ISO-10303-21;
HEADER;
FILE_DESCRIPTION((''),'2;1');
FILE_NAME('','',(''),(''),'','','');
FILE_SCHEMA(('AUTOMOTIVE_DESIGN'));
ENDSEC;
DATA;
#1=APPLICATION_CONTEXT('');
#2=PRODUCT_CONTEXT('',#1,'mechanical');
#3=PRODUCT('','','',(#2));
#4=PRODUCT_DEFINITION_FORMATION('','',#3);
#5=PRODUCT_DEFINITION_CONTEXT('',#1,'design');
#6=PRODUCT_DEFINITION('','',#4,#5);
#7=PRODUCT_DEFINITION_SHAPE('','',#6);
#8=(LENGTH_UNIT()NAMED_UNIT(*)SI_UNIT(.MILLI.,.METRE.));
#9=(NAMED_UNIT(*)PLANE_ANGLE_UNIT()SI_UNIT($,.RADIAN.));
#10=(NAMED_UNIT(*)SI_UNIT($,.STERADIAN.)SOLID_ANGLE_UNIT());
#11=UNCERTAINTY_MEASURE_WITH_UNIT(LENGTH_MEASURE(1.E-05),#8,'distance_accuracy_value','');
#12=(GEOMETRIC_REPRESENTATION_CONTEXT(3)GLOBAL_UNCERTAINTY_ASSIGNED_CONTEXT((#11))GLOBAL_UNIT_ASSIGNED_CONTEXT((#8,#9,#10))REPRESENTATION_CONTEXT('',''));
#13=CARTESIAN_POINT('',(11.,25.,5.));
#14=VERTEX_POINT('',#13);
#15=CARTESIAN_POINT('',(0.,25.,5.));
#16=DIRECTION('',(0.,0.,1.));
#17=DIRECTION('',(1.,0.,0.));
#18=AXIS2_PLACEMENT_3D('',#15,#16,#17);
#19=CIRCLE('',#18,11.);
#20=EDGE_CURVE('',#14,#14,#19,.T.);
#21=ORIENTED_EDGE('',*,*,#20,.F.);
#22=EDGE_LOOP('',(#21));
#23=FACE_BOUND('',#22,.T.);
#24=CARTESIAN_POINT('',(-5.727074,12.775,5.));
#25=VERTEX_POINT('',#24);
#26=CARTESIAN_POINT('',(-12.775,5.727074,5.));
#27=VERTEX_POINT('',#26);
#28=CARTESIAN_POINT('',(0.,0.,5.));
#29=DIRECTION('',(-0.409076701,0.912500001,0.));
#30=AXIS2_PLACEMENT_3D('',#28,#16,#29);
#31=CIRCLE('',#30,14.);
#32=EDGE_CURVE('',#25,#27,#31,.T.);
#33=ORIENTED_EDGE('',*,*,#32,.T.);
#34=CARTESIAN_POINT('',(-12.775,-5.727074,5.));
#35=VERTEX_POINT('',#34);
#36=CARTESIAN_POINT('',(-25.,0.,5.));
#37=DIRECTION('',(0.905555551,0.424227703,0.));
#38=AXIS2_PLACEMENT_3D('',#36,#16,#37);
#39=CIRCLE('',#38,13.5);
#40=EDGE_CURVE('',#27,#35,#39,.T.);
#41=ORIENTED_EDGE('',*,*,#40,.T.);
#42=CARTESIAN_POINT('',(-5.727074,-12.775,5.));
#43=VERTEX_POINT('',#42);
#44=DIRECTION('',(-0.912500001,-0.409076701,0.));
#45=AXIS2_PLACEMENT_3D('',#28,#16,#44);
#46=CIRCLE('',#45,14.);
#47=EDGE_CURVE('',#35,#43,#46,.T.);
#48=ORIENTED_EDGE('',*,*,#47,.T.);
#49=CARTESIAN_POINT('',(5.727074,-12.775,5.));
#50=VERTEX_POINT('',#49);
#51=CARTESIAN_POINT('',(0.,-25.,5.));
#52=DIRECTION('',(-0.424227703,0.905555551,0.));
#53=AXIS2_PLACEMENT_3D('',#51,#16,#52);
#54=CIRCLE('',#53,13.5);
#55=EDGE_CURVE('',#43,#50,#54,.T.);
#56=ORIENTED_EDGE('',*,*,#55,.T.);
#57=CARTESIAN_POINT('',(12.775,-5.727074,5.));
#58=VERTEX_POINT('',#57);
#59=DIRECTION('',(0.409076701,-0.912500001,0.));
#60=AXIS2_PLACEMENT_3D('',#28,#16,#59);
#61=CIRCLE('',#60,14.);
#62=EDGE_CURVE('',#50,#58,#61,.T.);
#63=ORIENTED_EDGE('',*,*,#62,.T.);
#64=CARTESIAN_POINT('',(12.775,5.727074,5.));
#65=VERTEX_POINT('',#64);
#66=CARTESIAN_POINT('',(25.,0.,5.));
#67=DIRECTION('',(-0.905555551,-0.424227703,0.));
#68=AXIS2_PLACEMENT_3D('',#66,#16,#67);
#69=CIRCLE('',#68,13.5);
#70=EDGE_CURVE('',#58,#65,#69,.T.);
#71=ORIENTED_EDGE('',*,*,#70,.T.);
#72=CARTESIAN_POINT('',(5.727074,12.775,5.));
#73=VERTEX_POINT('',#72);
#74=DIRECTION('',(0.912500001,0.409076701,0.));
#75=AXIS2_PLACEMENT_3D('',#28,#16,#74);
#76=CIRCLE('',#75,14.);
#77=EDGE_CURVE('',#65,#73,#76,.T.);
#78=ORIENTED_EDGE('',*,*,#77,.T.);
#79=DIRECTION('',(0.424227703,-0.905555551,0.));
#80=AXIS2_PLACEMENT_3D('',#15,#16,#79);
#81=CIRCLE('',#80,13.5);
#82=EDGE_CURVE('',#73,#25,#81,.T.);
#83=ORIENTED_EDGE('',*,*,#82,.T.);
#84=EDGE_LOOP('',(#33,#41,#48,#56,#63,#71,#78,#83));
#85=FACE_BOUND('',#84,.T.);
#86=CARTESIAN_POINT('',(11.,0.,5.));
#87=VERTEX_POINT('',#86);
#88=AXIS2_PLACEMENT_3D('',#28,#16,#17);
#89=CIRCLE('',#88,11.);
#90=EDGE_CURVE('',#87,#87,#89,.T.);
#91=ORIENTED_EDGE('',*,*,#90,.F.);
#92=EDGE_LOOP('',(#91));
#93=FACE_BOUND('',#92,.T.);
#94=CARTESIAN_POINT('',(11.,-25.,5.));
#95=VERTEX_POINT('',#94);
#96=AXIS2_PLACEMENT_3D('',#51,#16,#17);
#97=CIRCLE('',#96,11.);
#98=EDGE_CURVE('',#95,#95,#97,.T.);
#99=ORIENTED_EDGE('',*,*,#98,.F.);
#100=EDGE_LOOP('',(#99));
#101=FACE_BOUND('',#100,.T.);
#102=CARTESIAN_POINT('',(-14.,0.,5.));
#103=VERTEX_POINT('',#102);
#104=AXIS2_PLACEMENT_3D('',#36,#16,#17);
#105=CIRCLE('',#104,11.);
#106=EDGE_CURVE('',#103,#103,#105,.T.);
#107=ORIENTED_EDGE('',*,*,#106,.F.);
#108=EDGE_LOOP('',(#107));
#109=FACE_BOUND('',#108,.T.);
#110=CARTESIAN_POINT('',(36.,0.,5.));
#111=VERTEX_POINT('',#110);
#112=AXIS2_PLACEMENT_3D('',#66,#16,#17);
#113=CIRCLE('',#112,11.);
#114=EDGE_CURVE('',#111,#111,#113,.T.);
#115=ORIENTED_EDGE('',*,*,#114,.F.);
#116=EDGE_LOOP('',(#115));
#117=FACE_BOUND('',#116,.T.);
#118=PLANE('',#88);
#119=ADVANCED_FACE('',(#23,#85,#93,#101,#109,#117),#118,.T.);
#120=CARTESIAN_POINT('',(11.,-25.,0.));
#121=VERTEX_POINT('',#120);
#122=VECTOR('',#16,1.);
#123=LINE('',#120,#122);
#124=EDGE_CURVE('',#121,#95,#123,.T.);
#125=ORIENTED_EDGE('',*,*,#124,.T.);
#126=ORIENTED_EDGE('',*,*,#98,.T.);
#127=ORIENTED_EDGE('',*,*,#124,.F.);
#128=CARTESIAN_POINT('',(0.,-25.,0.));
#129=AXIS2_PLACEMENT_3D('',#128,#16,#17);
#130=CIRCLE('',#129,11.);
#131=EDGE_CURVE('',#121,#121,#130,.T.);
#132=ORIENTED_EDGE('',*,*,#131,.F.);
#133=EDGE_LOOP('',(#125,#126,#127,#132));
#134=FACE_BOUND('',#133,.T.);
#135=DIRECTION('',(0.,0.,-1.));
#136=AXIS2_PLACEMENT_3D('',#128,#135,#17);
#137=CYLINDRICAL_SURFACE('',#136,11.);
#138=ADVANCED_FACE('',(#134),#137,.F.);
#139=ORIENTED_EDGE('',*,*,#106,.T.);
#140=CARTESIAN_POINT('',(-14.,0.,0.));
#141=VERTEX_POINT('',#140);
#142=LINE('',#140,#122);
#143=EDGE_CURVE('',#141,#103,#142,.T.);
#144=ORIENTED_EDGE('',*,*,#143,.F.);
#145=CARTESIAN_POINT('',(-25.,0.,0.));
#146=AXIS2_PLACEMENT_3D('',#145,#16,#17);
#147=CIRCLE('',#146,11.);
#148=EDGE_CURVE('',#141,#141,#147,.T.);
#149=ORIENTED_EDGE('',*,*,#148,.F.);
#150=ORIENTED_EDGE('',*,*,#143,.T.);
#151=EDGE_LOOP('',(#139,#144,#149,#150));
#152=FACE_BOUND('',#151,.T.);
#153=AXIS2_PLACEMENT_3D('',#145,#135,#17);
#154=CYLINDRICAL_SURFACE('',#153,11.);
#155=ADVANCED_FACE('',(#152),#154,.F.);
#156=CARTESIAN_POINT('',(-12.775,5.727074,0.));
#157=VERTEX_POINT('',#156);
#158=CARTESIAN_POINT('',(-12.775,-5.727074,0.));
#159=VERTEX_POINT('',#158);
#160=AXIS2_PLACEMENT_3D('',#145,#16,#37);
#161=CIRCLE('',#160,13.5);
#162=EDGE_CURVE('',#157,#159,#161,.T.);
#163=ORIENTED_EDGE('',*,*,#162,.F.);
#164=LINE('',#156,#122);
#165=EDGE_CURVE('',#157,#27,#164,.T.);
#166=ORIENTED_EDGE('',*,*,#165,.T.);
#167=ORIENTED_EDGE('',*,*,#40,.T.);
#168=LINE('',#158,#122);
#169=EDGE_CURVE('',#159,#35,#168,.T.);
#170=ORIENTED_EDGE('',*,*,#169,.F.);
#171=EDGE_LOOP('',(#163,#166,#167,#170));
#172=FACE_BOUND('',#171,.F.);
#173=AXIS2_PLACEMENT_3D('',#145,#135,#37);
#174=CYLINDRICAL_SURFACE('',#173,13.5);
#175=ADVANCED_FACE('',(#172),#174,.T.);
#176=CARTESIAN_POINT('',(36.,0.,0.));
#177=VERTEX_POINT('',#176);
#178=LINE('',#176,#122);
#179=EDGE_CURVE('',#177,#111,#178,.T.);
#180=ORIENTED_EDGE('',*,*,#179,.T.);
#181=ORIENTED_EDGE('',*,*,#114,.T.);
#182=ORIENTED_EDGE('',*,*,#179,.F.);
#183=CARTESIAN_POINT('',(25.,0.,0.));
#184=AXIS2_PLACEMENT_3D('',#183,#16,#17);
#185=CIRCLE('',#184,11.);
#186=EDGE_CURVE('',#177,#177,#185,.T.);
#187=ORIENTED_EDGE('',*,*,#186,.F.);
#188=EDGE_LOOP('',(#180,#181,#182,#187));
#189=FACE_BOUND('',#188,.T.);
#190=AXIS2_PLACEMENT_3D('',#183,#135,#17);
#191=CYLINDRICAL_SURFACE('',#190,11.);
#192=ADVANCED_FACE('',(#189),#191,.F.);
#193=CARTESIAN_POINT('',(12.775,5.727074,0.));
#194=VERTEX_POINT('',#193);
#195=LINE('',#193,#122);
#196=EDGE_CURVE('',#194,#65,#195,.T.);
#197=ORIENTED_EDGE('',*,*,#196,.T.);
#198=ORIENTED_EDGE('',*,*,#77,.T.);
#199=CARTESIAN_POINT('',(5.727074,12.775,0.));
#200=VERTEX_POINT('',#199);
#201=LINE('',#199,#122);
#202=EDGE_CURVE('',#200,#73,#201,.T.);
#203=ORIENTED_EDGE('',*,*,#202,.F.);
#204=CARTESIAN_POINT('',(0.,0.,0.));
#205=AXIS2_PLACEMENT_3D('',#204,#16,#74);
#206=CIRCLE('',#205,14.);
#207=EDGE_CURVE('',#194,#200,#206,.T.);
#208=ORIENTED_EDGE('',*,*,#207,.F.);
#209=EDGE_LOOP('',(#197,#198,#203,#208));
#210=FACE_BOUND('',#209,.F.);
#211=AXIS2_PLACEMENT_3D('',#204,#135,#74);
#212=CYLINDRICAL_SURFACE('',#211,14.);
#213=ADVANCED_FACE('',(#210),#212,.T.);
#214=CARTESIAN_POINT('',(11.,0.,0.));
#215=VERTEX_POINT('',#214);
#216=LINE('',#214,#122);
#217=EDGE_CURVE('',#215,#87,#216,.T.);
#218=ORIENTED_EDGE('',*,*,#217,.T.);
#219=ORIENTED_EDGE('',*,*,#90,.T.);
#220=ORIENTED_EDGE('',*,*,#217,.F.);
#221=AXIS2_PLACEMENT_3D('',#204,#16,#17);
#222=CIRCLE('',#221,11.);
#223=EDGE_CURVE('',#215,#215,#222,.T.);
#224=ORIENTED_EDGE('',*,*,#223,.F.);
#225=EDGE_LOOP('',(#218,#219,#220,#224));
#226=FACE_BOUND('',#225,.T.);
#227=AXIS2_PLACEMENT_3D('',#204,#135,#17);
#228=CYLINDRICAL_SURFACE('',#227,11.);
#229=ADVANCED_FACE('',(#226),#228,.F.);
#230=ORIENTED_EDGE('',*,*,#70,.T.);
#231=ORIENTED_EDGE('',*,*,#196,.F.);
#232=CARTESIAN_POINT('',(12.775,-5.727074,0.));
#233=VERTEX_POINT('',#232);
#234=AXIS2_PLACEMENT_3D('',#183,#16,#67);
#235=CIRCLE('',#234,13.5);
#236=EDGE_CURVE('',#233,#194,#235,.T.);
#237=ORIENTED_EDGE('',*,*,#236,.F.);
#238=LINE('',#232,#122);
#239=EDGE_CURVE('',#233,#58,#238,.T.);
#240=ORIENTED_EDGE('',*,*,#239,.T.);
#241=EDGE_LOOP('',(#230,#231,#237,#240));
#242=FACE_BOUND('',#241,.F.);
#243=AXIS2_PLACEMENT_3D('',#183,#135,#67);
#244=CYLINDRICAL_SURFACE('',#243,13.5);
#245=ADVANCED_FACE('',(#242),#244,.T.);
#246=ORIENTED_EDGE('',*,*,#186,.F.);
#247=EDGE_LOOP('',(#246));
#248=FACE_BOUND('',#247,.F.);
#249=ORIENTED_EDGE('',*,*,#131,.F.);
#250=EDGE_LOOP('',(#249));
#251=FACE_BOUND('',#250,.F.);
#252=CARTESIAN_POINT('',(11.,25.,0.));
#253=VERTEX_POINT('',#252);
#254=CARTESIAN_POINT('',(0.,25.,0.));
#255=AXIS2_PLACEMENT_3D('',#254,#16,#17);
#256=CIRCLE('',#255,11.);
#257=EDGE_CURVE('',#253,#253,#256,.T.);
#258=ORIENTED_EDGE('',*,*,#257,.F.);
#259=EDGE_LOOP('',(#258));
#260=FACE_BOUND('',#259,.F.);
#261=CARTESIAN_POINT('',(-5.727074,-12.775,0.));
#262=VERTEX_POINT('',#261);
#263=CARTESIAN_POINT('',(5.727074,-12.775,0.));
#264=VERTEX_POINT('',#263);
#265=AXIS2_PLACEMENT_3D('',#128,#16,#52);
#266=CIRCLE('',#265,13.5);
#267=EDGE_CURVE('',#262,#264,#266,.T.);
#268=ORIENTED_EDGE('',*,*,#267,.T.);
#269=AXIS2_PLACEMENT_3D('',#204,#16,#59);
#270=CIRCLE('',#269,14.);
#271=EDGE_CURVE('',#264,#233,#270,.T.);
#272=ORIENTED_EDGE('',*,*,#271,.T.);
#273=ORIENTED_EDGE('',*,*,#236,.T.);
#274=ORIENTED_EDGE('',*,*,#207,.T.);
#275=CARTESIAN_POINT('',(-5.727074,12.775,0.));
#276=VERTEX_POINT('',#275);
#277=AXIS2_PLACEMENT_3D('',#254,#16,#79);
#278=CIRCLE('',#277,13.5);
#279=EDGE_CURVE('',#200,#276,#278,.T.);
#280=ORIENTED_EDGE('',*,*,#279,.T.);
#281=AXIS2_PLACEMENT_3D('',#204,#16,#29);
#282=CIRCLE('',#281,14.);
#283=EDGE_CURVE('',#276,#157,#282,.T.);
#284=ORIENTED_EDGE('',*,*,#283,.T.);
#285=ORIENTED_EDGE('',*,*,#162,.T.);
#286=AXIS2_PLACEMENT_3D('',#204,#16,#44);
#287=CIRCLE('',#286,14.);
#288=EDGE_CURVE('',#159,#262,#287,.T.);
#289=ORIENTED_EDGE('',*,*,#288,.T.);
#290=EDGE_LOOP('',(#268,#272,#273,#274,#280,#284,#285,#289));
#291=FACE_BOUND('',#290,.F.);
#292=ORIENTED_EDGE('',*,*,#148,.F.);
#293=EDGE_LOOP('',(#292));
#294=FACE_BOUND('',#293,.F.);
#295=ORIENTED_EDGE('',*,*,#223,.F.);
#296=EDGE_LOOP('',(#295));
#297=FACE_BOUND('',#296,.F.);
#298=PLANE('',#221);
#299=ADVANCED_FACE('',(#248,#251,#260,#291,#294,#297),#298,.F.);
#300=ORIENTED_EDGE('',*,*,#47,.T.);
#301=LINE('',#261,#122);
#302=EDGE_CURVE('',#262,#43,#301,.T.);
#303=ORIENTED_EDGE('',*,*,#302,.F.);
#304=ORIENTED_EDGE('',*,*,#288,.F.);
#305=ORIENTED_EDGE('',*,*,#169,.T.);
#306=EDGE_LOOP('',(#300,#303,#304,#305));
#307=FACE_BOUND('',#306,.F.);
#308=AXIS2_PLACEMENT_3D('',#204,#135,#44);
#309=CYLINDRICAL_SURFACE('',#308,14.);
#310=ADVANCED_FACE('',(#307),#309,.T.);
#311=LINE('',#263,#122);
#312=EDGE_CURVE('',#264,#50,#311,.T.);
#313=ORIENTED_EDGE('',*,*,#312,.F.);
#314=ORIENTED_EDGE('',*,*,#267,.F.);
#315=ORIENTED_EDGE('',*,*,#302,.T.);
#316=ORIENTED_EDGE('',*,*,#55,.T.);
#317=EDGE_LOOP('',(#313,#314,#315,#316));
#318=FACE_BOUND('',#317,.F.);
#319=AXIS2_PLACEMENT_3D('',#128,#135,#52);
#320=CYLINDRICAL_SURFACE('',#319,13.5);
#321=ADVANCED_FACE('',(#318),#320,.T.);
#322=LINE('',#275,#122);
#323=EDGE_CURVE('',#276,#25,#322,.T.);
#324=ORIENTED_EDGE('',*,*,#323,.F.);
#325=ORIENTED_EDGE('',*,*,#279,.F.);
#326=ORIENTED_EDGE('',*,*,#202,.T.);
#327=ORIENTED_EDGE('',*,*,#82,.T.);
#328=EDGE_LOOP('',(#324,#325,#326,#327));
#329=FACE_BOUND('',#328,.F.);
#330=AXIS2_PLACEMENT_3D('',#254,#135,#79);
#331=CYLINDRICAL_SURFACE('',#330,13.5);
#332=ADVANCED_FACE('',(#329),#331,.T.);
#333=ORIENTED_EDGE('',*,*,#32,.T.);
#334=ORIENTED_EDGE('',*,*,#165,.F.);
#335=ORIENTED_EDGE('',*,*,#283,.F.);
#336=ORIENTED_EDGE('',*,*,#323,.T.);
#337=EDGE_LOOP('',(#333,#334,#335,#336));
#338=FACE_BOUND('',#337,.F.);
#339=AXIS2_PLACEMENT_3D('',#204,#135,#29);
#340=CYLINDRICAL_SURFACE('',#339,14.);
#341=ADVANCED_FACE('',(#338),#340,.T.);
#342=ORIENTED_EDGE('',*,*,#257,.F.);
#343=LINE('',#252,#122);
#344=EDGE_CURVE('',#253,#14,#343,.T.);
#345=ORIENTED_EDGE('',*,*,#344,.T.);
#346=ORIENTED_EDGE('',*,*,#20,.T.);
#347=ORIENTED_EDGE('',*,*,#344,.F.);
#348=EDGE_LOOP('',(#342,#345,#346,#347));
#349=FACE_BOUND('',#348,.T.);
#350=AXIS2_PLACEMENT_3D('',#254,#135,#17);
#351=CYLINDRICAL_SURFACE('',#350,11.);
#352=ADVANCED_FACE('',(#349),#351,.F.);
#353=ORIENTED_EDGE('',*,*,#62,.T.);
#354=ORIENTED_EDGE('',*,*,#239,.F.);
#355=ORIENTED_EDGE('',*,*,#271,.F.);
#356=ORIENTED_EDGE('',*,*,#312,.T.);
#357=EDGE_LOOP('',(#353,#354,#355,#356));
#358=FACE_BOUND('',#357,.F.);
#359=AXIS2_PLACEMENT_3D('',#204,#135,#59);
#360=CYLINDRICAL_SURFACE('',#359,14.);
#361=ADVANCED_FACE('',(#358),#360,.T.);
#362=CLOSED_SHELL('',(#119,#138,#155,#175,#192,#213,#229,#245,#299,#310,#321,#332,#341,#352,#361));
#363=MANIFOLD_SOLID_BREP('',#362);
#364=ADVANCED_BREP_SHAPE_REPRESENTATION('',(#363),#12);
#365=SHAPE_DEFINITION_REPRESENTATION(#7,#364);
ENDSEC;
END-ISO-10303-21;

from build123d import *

# Parameters (mm, degrees)
F0_R     = 11
F1_DEPTH = 5


with BuildPart() as f1:
    # F0 (on Top) → F1 (new body)
    with BuildSketch(Plane.XY):
        with BuildLine():
            ThreePointArc((5.727074, 12.775), (0, 38.5), (-5.727074, 12.775))
            ThreePointArc((-5.727074, 12.775), (-9.899495, 9.899495), (-12.775, 5.727074))
            ThreePointArc((-12.775, 5.727074), (-38.5, 0), (-12.775, -5.727074))
            ThreePointArc((-12.775, -5.727074), (-9.899495, -9.899495), (-5.727074, -12.775))
            ThreePointArc((-5.727074, -12.775), (0, -38.5), (5.727074, -12.775))
            ThreePointArc((5.727074, -12.775), (9.899495, -9.899495), (12.775, -5.727074))
            ThreePointArc((12.775, -5.727074), (38.5, 0), (12.775, 5.727074))
            ThreePointArc((12.775, 5.727074), (9.899495, 9.899495), (5.727074, 12.775))
        make_face()
        with Locations((0, -25)):
            Circle(F0_R, mode=Mode.SUBTRACT)
        with Locations((-25, 0)):
            Circle(F0_R, mode=Mode.SUBTRACT)
        Circle(F0_R, mode=Mode.SUBTRACT)
        with Locations((25, 0)):
            Circle(F0_R, mode=Mode.SUBTRACT)
        with Locations((0, 25)):
            Circle(F0_R, mode=Mode.SUBTRACT)
    extrude(amount=F1_DEPTH)


solid = f1.part
